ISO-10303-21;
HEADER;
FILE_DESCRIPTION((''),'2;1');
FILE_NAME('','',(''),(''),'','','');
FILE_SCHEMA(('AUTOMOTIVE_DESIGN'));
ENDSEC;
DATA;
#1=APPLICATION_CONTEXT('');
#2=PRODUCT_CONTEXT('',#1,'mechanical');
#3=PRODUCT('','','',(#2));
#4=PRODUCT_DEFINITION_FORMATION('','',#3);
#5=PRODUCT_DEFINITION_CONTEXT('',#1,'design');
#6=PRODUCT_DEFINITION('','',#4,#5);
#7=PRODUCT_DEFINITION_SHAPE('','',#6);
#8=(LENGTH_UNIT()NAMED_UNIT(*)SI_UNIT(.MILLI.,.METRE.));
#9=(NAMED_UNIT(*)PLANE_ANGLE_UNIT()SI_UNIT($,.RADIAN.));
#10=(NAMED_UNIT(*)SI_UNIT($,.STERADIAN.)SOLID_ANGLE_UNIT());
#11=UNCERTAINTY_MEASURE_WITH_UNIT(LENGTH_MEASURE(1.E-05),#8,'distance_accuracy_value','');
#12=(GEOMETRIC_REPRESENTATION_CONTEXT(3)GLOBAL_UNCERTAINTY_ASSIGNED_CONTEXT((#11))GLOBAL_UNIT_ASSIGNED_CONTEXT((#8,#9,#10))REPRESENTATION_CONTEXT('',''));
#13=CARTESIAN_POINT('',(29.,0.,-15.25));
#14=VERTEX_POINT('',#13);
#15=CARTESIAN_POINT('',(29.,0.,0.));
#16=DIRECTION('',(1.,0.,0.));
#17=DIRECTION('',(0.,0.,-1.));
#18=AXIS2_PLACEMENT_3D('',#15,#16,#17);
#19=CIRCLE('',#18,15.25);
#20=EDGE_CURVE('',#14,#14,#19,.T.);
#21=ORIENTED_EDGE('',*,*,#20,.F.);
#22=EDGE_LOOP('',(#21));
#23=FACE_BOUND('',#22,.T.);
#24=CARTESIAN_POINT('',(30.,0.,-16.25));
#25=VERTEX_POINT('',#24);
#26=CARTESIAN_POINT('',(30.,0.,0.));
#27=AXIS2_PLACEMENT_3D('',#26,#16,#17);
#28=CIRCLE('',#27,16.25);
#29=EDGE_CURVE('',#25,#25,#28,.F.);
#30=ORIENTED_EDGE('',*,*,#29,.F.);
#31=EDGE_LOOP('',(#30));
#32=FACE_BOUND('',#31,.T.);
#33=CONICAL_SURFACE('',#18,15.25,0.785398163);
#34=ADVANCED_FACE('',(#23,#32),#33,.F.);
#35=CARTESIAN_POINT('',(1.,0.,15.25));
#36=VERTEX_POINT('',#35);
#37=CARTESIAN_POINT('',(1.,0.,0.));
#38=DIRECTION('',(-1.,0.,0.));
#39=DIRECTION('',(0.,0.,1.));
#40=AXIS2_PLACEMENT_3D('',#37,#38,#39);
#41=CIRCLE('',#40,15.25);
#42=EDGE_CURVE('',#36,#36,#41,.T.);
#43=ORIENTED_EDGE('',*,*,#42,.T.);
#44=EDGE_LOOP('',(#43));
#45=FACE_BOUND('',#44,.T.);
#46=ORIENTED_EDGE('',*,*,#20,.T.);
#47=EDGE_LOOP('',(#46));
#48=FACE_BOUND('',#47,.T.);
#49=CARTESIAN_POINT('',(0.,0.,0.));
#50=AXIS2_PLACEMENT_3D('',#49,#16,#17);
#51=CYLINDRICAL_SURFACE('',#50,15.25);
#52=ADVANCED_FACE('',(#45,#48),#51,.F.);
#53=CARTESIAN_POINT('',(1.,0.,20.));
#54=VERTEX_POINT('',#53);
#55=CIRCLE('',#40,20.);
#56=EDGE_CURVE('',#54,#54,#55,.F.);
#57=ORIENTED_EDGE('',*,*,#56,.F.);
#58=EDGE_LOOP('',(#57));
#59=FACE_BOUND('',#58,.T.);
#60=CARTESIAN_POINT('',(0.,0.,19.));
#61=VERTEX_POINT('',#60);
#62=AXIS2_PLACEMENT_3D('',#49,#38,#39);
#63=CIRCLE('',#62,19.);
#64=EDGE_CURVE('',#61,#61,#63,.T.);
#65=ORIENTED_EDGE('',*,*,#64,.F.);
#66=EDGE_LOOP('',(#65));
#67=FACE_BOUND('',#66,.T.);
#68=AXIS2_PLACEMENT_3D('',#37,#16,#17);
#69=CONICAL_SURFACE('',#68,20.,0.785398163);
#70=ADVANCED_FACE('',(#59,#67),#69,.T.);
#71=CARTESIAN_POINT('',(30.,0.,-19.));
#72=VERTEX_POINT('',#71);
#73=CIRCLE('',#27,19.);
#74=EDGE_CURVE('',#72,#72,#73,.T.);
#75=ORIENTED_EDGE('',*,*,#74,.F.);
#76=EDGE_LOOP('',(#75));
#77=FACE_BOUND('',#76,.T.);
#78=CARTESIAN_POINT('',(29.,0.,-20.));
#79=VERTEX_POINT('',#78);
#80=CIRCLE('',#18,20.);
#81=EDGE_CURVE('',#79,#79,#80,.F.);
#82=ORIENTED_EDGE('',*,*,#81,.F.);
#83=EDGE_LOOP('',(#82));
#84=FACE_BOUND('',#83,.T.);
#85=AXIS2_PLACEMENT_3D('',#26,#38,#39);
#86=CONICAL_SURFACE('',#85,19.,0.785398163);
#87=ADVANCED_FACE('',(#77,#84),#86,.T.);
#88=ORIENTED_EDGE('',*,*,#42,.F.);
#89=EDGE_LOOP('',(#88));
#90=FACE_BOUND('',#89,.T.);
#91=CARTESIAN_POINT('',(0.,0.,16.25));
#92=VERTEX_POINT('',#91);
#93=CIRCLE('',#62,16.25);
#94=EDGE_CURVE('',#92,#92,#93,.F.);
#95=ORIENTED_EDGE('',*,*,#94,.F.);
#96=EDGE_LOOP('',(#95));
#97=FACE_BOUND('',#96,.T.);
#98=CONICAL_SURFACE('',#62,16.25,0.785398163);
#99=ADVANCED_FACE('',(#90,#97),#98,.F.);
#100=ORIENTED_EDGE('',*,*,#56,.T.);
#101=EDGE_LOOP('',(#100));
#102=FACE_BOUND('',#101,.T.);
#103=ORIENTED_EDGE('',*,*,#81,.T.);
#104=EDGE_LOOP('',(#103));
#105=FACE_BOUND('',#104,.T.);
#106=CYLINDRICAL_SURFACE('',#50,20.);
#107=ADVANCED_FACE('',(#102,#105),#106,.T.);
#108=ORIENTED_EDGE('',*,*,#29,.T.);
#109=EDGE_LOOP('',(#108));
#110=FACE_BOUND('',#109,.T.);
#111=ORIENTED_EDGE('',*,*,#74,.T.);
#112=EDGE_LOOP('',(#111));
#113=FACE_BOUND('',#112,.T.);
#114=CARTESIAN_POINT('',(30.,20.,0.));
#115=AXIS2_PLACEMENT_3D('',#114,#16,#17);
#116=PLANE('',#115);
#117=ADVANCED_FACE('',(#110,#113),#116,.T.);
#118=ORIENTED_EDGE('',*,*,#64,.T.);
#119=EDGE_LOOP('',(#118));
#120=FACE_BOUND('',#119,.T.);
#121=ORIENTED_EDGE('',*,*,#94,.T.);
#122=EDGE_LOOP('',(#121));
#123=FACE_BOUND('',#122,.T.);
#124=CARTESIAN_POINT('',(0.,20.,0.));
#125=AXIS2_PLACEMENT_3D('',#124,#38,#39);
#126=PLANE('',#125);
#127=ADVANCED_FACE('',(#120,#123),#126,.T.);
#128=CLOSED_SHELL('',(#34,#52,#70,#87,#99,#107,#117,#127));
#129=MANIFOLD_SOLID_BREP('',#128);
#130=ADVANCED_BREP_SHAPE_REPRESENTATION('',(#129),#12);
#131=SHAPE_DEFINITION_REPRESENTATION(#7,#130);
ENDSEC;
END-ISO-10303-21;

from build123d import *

# Parameters (mm, degrees)
SKETCH_1_W     = 30
SKETCH_1_H     = 4.75
CHAMFER_1_SIZE = 1
CHAMFER_2_SIZE = 1


with BuildPart() as part:
    # Эскиз1 → Повернуть1 (revolve)
    with BuildSketch(Plane.XY, mode=Mode.PRIVATE) as revolve_1_sk:
        with Locations((15, 17.625)):
            Rectangle(SKETCH_1_W, SKETCH_1_H)
    revolve(revolve_1_sk.sketch.rotate(Axis((0, 0, 0), (-1, 0, 0)), 90), axis=Axis((0, 0, 0), (-1, 0, 0)))

    # Фаска1
    chamfer_1_edges = [part.edges().sort_by_distance(p)[0] for p in [
        (0, 0, 20),
        (30, 0, 20),
    ]]
    chamfer(chamfer_1_edges, length=CHAMFER_1_SIZE)

    # Фаска2
    chamfer_2_edges = [part.edges().sort_by_distance(p)[0] for p in [
        (30, 0, 15.25),
        (0, 0, 15.25),
    ]]
    chamfer(chamfer_2_edges, length=CHAMFER_2_SIZE)


solid = part.part
